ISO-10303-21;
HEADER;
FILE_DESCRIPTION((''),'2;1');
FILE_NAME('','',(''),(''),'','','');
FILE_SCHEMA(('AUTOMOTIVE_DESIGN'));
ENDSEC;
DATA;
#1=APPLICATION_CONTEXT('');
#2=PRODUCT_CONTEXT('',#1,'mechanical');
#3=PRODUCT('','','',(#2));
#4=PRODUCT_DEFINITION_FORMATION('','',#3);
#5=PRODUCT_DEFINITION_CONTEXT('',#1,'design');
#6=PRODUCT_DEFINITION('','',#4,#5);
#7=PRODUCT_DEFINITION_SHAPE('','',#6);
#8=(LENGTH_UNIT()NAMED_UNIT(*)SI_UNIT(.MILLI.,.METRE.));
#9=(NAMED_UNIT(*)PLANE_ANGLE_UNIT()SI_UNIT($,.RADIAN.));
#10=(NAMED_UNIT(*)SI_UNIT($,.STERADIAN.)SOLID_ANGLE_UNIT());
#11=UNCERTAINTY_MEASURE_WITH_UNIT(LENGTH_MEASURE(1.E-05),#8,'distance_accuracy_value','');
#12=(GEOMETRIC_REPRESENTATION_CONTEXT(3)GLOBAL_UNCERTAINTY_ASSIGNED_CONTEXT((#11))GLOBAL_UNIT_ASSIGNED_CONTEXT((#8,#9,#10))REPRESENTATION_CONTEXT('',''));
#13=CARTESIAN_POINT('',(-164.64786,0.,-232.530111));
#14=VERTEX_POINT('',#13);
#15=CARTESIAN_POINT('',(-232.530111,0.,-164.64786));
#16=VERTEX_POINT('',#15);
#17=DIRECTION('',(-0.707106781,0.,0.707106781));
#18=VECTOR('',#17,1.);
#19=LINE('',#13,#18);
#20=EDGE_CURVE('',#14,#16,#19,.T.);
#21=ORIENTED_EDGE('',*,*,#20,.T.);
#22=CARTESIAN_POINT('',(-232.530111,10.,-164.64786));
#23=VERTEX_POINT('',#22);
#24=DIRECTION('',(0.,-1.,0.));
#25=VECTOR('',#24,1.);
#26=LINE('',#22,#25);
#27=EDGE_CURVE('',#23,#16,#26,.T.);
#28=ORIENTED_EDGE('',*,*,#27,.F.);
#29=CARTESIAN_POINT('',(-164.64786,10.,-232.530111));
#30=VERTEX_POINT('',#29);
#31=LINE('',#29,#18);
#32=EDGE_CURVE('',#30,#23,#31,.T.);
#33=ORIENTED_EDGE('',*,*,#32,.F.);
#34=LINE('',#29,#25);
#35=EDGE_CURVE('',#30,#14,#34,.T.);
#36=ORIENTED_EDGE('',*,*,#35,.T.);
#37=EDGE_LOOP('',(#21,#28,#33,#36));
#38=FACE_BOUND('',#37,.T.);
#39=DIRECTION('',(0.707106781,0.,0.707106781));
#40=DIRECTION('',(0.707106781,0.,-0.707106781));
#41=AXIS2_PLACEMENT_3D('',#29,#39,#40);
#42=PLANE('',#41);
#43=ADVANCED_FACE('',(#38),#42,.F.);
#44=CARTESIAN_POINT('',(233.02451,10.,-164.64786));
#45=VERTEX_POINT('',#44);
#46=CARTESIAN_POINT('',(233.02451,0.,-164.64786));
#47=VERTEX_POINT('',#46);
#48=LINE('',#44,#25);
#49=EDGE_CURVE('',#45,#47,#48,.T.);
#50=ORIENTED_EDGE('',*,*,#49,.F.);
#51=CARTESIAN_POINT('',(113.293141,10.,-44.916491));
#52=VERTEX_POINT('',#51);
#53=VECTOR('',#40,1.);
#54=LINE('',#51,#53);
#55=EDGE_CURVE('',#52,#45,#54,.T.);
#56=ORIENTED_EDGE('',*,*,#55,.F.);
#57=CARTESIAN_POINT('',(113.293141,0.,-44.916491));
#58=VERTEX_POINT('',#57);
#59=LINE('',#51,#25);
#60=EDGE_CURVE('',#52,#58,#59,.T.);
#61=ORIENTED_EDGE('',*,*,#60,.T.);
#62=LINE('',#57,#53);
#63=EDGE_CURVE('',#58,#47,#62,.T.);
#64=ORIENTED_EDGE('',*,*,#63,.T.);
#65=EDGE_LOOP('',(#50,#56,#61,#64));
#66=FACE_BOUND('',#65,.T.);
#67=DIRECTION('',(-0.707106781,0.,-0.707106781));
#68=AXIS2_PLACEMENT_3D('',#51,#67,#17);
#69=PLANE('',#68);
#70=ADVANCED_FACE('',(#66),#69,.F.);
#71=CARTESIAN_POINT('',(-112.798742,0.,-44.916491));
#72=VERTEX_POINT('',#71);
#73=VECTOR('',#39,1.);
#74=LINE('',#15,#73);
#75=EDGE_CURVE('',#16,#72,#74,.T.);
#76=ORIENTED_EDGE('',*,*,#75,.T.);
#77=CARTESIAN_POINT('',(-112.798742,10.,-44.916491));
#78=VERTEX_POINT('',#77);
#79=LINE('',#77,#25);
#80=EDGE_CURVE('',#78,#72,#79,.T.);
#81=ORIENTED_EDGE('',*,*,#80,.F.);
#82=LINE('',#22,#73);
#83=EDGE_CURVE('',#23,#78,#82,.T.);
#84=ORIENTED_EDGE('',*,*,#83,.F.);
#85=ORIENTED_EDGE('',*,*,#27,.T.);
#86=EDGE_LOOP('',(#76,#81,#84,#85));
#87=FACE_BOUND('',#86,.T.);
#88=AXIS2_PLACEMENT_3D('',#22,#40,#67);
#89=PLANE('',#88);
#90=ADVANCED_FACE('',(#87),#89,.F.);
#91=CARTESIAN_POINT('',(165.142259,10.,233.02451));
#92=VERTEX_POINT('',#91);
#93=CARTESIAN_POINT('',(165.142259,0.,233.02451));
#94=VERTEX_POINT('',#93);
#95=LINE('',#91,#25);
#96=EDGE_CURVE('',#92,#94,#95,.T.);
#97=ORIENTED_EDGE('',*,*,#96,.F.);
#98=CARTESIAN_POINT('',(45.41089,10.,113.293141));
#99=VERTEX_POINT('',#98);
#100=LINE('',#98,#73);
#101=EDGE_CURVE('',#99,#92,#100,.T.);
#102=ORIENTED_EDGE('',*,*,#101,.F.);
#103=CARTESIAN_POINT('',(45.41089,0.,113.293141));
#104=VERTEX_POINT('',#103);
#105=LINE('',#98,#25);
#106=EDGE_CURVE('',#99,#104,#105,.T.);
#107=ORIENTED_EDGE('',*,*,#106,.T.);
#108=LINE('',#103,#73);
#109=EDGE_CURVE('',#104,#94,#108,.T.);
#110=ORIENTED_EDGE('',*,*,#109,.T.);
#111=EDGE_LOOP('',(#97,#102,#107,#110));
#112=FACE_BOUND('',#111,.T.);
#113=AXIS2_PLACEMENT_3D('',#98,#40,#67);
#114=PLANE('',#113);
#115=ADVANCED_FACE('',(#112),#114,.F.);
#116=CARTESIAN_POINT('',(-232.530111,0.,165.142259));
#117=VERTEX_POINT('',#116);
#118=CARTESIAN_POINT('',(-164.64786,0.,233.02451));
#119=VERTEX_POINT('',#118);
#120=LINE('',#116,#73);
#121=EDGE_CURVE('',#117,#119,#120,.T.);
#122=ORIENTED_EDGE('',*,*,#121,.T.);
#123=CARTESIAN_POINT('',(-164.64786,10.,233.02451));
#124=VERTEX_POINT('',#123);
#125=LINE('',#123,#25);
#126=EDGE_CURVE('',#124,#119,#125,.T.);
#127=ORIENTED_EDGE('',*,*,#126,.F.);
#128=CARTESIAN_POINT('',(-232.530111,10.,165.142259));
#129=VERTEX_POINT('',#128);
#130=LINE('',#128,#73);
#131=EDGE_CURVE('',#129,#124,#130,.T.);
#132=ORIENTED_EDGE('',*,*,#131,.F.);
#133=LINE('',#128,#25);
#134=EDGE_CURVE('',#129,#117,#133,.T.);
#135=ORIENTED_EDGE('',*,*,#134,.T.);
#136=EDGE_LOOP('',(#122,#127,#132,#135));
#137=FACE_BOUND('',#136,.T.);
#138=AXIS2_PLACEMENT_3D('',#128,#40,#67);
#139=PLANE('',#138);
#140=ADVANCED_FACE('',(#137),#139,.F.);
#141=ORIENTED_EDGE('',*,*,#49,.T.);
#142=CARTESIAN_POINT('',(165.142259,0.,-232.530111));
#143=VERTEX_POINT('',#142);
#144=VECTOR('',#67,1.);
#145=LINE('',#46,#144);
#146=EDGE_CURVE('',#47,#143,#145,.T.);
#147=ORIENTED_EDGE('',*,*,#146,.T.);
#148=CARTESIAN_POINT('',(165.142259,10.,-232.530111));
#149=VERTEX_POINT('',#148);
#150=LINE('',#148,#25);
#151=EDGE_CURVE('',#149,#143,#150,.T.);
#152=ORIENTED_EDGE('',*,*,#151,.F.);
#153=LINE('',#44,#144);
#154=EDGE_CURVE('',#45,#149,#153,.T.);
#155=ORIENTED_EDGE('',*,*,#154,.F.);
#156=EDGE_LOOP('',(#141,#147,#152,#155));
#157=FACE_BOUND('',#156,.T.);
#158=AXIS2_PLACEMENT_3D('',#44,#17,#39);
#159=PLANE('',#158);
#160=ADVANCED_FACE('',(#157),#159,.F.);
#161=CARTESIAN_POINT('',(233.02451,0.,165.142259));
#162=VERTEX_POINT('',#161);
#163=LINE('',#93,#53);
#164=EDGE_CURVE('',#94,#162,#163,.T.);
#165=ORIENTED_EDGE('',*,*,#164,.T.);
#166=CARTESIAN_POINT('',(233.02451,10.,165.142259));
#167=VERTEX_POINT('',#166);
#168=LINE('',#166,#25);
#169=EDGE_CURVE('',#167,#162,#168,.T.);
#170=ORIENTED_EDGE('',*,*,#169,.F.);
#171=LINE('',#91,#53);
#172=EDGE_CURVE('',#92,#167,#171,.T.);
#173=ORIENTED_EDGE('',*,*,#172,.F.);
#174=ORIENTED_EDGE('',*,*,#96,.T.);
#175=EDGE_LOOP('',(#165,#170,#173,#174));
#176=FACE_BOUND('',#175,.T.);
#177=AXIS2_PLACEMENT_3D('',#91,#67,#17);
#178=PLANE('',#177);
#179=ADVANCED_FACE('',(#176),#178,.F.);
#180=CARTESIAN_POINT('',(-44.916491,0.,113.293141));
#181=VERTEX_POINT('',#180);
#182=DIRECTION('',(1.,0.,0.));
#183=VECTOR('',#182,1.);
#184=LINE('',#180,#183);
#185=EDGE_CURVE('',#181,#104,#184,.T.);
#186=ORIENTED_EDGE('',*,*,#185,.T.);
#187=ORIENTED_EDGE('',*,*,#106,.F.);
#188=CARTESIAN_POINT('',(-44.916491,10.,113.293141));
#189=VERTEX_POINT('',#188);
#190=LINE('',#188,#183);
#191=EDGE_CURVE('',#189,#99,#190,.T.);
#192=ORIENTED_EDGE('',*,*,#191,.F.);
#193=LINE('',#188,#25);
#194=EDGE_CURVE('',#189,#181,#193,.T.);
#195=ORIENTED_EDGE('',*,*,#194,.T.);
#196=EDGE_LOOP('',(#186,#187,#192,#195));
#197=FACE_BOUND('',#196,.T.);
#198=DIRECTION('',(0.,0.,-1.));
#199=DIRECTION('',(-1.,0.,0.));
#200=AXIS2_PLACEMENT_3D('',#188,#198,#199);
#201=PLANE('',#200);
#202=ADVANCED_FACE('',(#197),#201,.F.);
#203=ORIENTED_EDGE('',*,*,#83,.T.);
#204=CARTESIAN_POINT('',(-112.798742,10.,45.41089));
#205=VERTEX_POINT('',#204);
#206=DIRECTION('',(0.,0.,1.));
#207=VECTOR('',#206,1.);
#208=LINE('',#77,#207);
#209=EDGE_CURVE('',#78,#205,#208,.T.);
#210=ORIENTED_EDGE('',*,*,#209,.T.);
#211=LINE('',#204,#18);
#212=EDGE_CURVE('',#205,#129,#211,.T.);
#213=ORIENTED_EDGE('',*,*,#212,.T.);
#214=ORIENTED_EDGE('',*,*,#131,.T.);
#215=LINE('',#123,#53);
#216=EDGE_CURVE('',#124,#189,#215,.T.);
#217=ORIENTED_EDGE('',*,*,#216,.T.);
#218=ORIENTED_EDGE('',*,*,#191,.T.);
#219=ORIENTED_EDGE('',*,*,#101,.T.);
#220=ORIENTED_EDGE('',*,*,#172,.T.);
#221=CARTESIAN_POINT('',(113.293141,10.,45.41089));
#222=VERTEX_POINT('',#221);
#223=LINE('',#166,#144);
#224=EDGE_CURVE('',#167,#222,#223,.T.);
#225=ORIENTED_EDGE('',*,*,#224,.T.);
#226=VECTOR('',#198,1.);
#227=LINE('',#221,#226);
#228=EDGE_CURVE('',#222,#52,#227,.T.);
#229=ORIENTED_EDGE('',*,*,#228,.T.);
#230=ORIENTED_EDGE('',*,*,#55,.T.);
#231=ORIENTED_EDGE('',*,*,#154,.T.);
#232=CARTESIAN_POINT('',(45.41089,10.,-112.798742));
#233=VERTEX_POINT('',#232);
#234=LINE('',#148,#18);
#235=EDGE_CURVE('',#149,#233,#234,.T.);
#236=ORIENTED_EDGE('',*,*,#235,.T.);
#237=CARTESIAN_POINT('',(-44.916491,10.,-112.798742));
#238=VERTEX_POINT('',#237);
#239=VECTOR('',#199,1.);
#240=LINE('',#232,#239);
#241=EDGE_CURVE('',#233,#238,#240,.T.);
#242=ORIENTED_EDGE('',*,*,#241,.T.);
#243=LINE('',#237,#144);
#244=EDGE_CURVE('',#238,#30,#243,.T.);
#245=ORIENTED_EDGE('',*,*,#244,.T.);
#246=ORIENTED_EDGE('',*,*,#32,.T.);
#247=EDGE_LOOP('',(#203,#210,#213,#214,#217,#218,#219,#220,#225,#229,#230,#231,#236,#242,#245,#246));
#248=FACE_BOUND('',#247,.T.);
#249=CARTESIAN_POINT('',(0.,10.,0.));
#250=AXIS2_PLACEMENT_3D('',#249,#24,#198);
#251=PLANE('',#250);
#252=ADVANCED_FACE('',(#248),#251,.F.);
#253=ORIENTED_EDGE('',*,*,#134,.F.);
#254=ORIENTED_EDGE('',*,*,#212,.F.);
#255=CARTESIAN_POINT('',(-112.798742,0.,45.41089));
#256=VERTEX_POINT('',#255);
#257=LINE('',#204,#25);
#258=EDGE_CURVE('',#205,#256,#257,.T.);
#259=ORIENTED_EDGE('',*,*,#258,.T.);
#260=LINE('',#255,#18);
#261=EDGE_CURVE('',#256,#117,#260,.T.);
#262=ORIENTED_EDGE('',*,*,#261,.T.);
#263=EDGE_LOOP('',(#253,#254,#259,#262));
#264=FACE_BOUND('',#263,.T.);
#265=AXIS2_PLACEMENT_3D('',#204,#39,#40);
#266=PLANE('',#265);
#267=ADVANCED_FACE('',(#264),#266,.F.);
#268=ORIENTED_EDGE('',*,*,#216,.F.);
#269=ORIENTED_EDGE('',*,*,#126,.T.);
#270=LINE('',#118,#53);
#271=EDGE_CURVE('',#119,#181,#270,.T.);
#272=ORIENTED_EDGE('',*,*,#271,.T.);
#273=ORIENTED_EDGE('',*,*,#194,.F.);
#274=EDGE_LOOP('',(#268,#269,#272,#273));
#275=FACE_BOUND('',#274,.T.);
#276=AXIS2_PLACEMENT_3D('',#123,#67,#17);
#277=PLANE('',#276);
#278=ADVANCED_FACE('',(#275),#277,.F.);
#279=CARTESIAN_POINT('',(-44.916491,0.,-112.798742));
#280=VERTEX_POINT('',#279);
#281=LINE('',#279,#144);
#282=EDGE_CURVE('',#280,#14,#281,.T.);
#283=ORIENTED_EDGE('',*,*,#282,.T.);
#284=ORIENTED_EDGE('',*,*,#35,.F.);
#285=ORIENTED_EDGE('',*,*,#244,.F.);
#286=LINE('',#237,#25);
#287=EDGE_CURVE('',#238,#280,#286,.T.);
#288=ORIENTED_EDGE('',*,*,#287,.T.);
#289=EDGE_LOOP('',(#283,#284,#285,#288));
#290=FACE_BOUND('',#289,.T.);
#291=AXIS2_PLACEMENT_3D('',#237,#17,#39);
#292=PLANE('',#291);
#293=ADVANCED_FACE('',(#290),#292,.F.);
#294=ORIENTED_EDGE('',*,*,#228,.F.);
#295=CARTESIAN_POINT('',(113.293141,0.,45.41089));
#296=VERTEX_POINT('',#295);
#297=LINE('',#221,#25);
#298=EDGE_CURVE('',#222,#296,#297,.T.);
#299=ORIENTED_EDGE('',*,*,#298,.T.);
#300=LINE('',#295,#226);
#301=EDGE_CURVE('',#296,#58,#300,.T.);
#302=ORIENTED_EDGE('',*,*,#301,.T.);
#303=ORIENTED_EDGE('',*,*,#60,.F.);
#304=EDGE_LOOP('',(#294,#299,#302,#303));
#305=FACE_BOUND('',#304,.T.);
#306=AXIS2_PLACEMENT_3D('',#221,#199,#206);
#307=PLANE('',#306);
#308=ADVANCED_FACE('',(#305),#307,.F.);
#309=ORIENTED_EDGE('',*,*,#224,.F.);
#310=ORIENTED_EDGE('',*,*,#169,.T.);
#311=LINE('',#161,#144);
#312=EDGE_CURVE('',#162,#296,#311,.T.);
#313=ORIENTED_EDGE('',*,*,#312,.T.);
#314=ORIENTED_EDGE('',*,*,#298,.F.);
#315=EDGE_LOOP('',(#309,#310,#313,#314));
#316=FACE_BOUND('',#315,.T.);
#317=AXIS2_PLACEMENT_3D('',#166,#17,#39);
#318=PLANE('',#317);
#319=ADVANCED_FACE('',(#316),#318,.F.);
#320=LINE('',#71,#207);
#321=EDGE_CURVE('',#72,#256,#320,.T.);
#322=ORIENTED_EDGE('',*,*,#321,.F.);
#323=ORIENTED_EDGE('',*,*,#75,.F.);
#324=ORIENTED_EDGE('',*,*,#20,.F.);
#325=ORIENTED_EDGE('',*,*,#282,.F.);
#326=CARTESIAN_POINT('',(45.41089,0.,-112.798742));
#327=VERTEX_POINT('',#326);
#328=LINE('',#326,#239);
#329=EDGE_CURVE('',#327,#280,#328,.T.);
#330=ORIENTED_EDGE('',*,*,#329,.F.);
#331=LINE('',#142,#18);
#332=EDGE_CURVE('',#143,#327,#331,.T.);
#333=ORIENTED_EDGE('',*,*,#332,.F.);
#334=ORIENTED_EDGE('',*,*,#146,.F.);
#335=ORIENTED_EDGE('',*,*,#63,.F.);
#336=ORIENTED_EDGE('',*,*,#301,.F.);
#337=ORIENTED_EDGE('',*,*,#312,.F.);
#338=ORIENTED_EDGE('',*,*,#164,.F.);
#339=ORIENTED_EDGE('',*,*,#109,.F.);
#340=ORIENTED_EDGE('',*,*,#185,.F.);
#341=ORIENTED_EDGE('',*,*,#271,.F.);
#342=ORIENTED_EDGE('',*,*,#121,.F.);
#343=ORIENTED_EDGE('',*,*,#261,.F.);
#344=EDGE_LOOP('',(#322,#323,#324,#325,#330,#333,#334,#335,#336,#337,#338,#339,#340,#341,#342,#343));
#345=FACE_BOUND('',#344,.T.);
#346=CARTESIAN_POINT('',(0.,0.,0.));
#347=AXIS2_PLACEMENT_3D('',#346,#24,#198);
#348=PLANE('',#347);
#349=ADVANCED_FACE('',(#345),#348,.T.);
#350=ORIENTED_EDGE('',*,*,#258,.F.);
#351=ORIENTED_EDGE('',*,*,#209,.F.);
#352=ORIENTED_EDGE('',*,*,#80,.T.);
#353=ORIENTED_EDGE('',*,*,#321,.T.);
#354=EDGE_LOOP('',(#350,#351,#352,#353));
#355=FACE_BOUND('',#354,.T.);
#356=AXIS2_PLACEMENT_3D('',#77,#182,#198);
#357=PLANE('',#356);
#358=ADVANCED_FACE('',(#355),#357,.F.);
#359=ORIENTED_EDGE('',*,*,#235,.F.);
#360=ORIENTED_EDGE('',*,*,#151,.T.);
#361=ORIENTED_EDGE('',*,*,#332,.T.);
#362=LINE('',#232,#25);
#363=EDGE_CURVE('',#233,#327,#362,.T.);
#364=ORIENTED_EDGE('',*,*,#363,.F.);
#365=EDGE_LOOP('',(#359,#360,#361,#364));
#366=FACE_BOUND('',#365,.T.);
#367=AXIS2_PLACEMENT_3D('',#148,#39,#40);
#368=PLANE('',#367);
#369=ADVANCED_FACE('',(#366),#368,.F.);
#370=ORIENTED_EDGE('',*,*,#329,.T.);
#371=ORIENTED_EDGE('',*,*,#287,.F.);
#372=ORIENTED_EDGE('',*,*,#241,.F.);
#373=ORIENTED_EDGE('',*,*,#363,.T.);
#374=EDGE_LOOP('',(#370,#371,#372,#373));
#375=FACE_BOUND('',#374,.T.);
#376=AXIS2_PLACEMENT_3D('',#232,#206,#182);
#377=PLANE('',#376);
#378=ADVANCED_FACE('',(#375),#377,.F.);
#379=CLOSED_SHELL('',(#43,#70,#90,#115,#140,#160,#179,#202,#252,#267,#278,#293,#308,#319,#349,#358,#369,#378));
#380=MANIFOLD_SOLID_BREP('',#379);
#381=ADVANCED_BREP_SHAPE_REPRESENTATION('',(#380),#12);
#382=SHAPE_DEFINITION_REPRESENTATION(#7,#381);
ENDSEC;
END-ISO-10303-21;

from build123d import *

# Parameters (mm, degrees)
BOSS_EXTRUDE1_DEPTH = 10


with BuildPart() as part:
    # Sketch1 → Boss-Extrude1 (new body)
    with BuildSketch(Plane(origin=(0, 0, 0), x_dir=(1, 0, 0), z_dir=(0, 1, 0))):
        Polygon((-112.798741958, 44.916490964), (-112.798741958, -45.41089014), (-232.530110784, -165.142258966), (-164.64785979, -233.02450996), (-44.916490964, -113.293141134), (45.41089014, -113.293141134), (165.142258966, -233.02450996), (233.02450996, -165.142258966), (113.293141134, -45.41089014), (113.293141134, 44.916490964), (233.02450996, 164.64785979), (165.142258966, 232.530110784), (45.41089014, 112.798741958), (-44.916490964, 112.798741958), (-164.64785979, 232.530110784), (-232.530110784, 164.64785979), align=None)
    extrude(amount=BOSS_EXTRUDE1_DEPTH)


solid = part.part
